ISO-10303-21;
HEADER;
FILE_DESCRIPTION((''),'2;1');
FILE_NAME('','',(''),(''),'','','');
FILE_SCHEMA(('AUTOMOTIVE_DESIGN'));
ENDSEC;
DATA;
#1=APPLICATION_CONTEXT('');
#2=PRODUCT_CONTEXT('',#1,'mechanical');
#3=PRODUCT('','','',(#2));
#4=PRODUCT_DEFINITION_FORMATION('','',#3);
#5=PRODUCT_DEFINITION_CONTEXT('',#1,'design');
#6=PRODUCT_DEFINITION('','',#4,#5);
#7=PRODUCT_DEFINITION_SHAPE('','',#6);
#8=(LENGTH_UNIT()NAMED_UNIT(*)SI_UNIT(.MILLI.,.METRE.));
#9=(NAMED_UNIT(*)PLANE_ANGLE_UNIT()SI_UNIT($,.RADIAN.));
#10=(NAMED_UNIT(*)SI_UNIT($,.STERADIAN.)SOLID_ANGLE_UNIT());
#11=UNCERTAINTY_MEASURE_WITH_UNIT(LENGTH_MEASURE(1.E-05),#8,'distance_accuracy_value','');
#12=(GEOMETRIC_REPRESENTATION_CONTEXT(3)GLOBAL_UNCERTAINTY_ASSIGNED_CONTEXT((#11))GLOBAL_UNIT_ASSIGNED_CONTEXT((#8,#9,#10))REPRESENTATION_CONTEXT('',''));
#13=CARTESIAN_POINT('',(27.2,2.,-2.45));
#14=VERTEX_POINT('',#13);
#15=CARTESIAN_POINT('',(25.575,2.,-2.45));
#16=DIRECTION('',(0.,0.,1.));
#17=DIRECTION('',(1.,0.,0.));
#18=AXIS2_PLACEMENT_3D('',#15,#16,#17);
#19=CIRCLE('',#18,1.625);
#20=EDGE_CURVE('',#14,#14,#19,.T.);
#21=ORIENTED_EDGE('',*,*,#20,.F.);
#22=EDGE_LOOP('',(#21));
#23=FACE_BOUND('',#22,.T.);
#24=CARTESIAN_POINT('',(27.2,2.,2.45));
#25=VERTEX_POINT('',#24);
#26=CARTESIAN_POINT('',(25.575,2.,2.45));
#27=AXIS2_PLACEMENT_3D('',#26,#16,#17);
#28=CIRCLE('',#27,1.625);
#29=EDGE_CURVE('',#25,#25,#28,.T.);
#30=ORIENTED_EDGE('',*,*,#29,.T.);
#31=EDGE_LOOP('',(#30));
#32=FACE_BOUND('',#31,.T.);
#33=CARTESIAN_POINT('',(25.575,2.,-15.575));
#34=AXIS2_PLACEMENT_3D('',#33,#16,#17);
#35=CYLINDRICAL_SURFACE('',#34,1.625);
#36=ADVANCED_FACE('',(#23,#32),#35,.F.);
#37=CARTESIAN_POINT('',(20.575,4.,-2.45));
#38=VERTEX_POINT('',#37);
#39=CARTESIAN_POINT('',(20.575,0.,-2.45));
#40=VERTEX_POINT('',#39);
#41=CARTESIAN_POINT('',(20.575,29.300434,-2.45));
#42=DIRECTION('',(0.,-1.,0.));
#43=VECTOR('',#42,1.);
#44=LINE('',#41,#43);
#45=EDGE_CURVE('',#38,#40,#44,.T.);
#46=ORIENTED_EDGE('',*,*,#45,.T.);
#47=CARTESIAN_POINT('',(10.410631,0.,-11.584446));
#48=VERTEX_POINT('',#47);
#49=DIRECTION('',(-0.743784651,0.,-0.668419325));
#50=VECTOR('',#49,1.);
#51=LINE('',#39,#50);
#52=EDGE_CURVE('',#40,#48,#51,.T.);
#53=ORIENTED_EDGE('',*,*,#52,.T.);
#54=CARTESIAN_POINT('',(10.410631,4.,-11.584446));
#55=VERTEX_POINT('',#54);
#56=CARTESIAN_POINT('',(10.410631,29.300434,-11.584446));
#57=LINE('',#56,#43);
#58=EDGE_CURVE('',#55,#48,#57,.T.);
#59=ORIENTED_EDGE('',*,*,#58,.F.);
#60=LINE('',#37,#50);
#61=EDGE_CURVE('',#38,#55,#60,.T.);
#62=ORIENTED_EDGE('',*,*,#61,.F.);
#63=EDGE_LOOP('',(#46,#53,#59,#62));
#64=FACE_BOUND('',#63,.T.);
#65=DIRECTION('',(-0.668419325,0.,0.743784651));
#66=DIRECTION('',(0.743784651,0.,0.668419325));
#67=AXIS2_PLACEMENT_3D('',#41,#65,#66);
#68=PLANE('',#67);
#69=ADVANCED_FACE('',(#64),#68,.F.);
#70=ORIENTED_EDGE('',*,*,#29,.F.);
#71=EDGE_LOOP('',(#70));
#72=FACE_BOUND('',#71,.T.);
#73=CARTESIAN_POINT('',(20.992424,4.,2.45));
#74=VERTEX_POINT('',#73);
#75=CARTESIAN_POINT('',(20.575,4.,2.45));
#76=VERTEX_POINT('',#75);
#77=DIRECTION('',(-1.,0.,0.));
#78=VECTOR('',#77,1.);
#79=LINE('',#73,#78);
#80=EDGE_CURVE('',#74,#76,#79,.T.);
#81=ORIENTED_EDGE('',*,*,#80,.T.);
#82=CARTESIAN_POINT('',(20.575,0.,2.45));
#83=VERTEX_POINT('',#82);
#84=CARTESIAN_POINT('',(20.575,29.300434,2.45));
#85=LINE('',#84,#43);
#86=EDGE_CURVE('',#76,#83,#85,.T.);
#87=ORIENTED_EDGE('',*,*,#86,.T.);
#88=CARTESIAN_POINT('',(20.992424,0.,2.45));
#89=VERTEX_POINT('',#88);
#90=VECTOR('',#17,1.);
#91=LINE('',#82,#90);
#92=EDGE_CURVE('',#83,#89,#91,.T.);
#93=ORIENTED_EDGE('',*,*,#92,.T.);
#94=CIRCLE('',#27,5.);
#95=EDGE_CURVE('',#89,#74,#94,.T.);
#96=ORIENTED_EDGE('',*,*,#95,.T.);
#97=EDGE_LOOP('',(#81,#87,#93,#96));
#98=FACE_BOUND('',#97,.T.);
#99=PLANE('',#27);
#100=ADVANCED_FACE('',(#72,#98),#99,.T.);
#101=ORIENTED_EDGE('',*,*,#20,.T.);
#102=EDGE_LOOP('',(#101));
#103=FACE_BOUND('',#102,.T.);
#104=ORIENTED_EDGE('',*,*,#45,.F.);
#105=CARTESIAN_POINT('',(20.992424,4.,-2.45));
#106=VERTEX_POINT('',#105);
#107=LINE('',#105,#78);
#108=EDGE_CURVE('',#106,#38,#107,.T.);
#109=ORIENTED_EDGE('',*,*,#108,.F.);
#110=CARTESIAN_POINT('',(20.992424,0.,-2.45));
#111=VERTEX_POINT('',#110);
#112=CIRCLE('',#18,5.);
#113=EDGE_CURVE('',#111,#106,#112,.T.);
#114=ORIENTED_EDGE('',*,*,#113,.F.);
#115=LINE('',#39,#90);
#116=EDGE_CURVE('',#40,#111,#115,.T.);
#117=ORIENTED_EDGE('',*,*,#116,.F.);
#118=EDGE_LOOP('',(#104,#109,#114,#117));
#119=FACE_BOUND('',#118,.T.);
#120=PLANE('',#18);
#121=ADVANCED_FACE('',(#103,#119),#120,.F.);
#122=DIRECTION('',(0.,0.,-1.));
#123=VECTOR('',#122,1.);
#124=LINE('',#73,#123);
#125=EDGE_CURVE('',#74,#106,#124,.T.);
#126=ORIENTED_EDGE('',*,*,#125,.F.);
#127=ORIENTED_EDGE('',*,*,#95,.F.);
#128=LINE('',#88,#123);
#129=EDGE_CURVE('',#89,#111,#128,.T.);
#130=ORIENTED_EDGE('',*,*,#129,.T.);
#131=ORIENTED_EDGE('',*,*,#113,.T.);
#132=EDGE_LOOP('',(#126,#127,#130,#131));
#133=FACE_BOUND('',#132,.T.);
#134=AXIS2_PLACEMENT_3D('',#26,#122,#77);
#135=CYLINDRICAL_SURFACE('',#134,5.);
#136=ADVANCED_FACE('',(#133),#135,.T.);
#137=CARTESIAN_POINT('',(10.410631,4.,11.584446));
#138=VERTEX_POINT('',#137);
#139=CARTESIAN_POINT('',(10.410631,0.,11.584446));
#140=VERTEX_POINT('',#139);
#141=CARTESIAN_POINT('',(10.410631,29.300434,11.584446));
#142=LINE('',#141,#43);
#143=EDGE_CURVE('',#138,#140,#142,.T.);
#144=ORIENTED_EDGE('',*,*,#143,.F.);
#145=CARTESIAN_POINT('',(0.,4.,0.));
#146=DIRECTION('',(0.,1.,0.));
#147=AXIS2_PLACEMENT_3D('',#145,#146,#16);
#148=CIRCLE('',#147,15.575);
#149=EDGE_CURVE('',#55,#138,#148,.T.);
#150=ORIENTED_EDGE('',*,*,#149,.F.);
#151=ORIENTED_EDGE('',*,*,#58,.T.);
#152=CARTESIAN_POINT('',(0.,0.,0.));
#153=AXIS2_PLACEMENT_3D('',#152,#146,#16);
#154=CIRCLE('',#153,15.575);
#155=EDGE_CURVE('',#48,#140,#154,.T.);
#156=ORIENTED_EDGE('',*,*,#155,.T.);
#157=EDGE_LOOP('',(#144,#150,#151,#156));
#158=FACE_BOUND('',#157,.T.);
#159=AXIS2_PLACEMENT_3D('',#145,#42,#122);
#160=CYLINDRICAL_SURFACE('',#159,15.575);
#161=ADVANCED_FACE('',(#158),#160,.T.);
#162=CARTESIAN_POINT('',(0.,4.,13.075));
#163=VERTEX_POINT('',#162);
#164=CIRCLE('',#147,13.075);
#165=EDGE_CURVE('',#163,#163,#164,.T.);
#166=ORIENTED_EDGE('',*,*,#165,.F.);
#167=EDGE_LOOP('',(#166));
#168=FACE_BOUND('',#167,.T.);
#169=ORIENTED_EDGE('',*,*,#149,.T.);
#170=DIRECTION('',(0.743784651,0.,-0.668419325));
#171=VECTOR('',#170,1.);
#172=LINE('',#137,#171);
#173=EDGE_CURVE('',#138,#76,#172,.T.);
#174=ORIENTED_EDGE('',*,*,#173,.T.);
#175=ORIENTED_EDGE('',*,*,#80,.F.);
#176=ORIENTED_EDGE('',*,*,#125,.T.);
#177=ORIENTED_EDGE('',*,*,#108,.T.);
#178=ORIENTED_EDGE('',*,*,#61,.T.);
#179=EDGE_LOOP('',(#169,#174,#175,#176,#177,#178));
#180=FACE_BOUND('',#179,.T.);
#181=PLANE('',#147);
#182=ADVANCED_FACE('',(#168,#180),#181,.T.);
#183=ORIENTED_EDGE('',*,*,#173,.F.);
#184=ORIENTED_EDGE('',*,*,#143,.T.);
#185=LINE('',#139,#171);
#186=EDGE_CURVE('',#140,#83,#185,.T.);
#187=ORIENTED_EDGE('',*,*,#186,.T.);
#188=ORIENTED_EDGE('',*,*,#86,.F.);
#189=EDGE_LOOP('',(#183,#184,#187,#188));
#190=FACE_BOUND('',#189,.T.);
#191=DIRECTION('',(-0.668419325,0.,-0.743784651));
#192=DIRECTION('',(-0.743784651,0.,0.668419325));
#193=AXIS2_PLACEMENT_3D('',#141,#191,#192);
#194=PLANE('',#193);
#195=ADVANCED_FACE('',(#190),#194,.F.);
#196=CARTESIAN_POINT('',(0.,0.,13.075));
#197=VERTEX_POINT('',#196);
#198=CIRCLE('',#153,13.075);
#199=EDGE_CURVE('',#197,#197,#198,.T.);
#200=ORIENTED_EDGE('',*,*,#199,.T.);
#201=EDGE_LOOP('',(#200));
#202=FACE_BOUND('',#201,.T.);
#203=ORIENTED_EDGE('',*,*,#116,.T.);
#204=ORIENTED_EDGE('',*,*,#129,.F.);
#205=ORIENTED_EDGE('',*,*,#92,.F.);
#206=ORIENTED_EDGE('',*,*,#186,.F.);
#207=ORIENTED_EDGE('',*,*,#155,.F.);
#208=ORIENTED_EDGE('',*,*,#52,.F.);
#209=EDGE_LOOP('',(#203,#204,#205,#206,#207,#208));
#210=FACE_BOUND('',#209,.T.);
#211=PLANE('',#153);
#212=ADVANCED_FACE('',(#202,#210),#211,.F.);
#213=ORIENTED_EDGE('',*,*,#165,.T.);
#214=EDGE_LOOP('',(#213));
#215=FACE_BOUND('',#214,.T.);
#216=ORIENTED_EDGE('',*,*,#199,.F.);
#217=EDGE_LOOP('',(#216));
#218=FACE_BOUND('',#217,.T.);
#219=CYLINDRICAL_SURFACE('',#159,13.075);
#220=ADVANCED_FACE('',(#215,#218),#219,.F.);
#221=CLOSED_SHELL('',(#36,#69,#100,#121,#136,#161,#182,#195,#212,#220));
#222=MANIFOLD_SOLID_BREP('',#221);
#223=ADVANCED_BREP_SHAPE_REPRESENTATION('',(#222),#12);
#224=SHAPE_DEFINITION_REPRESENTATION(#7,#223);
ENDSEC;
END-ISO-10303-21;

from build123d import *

# Parameters (mm, degrees)
CROQUIS1_R              = 15.575
CROQUIS1_R_2            = 13.075
SALIENTE_EXTRUIR1_DEPTH = 4
SALIENTE_EXTRUIR2_DEPTH = 4
SALIENTE_EXTRUIR3_DEPTH = 2.45
CROQUIS4_R              = 1.625
CORTAR_EXTRUIR1_DEPTH   = 19.025


with BuildPart() as part:
    # Croquis1 → Saliente-Extruir1 (new body)
    with BuildSketch(Plane(origin=(0, 0, 0), x_dir=(1, 0, 0), z_dir=(0, 1, 0))):
        Circle(CROQUIS1_R)
        Circle(CROQUIS1_R_2, mode=Mode.SUBTRACT)
    extrude(amount=SALIENTE_EXTRUIR1_DEPTH)

    # Croquis2 → Saliente-Extruir2 (add)
    with BuildSketch(Plane(origin=(0, 0, 0), x_dir=(1, 0, 0), z_dir=(0, 1, 0))):
        with BuildLine():
            Line((20.575, 2.45), (10.410630983, 11.584445932))
            ThreePointArc((10.410630983, 11.584445932), (15.575, 0), (10.410630983, -11.584445932))
            Line((10.410630983, -11.584445932), (20.575, -2.45))
            Line((20.575, -2.45), (20.575, 2.45))
        make_face()
    extrude(amount=SALIENTE_EXTRUIR2_DEPTH)

    # Croquis3 → Saliente-Extruir3 (add, symmetric)
    with BuildSketch(Plane.XY):
        with BuildLine():
            Line((20.575, 4), (20.575, 0))
            Line((20.575, 0), (20.992424305, 0))
            ThreePointArc((20.992424305, 0), (30.575, 2), (20.992424305, 4))
            Line((20.992424305, 4), (20.575, 4))
        make_face()
    extrude(amount=SALIENTE_EXTRUIR3_DEPTH, both=True)

    # Croquis4 → Cortar-Extruir1 (cut, through all)
    with BuildSketch(Plane.XY.offset(2.45)):
        with Locations((25.575, 2)):
            Circle(CROQUIS4_R)
    extrude(amount=-CORTAR_EXTRUIR1_DEPTH, mode=Mode.SUBTRACT)


solid = part.part
